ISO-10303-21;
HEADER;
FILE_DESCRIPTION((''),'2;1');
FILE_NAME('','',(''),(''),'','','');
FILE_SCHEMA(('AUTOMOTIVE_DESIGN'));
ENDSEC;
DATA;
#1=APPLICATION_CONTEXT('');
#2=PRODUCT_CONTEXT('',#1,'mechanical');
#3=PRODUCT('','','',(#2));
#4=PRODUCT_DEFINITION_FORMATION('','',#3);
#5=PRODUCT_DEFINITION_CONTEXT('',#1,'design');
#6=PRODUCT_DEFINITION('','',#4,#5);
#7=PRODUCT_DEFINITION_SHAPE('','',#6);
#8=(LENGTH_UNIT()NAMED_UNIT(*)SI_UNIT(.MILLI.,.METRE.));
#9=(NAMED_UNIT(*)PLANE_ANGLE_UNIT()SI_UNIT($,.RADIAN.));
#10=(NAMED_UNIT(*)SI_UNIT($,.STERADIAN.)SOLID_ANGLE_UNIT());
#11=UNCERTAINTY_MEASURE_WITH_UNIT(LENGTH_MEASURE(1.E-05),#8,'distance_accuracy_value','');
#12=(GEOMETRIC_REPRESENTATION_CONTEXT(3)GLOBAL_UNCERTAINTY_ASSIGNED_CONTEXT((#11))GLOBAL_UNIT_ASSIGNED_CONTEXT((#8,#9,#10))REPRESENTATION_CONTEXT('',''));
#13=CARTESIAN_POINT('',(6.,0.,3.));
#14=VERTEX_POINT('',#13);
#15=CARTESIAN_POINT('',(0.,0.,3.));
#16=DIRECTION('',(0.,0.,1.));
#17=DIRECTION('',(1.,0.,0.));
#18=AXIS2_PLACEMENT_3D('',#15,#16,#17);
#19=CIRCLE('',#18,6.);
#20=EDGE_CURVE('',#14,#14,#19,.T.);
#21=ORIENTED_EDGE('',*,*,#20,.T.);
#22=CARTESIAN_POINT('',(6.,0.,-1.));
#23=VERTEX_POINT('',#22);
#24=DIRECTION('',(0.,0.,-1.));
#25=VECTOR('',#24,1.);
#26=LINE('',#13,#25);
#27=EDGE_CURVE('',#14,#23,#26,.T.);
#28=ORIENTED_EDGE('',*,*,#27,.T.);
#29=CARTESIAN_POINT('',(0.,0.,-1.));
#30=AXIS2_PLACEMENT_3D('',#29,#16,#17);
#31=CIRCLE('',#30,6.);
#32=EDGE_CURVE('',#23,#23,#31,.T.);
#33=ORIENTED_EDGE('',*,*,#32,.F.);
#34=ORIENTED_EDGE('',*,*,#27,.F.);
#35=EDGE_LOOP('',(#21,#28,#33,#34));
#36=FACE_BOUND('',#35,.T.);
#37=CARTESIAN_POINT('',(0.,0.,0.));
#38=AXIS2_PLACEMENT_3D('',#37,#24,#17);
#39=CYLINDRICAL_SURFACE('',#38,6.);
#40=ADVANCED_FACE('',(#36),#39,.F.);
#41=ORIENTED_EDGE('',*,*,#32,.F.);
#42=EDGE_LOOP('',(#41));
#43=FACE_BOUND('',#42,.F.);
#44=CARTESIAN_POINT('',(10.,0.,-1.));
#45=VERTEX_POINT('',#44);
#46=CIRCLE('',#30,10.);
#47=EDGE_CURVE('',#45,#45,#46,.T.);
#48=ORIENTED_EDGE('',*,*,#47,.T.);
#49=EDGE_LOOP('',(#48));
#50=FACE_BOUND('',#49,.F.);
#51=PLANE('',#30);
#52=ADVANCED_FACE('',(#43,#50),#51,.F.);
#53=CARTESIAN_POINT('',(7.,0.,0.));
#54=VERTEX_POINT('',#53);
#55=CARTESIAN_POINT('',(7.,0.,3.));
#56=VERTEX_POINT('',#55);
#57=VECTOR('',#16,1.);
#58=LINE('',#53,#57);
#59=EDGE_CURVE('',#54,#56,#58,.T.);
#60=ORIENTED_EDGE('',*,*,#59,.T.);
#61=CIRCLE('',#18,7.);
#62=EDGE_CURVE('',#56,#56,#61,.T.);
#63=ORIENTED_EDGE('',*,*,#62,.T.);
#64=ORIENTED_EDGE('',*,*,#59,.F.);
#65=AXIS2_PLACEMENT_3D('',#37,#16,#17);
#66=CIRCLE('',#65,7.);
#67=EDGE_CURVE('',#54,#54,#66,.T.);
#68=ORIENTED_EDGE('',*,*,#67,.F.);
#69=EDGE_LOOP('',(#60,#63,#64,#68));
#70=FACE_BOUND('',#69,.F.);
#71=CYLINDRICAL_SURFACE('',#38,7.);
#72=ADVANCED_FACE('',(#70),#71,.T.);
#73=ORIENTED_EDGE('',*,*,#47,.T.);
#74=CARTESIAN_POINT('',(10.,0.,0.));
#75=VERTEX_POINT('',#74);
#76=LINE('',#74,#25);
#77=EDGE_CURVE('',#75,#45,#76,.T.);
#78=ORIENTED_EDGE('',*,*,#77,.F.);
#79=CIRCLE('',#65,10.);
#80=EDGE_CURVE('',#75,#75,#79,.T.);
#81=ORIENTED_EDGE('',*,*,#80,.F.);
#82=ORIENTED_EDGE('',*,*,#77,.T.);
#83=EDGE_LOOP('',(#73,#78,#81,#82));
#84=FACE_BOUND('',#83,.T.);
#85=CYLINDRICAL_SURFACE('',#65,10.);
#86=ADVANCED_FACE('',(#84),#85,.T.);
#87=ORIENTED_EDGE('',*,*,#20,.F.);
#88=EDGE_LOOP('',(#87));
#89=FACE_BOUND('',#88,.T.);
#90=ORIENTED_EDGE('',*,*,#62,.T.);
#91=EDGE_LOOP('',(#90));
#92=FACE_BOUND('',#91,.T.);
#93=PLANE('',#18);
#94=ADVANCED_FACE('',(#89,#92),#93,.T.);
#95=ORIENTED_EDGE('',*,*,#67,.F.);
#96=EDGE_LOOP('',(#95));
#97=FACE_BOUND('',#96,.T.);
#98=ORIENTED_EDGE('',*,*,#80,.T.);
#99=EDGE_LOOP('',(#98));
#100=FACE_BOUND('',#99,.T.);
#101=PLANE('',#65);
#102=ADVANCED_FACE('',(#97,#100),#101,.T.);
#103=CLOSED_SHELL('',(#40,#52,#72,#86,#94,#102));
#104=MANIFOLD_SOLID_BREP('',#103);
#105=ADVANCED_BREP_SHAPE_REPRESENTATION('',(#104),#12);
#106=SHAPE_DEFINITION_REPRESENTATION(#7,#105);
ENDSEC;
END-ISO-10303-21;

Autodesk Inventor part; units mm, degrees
ref_plane "YZ Plane" through (0, 0, 0) normal (1, 0, 0) x (0, 1, 0)
ref_plane "XZ Plane" through (0, 0, 0) normal (0, 1, 0) x (-1, 0, 0)
ref_plane "XY Plane" through (0, 0, 0) normal (0, 0, 1) x (1, 0, 0)
sketch "スケッチ1" plane through (0, 0, 0) normal (0, 0, 1) x (1, 0, 0)
  circle A0 centre (0, 0) radius 6
  circle A1 centre (0, 0) radius 7
  circle A2 centre (0, 0) radius 10
  dimension "d0" = 12
  dimension "d1" = 14
  dimension "d2" = 20
extrude "押し出し1" add sketch "スケッチ1" along normal blind 3 contours A1
extrude "押し出し2" add sketch "スケッチ1" against normal blind 1 contours A1 | A2
properties part number "オイレス　内径12 フランジ付き3t" material "アセタール樹脂、黒"
